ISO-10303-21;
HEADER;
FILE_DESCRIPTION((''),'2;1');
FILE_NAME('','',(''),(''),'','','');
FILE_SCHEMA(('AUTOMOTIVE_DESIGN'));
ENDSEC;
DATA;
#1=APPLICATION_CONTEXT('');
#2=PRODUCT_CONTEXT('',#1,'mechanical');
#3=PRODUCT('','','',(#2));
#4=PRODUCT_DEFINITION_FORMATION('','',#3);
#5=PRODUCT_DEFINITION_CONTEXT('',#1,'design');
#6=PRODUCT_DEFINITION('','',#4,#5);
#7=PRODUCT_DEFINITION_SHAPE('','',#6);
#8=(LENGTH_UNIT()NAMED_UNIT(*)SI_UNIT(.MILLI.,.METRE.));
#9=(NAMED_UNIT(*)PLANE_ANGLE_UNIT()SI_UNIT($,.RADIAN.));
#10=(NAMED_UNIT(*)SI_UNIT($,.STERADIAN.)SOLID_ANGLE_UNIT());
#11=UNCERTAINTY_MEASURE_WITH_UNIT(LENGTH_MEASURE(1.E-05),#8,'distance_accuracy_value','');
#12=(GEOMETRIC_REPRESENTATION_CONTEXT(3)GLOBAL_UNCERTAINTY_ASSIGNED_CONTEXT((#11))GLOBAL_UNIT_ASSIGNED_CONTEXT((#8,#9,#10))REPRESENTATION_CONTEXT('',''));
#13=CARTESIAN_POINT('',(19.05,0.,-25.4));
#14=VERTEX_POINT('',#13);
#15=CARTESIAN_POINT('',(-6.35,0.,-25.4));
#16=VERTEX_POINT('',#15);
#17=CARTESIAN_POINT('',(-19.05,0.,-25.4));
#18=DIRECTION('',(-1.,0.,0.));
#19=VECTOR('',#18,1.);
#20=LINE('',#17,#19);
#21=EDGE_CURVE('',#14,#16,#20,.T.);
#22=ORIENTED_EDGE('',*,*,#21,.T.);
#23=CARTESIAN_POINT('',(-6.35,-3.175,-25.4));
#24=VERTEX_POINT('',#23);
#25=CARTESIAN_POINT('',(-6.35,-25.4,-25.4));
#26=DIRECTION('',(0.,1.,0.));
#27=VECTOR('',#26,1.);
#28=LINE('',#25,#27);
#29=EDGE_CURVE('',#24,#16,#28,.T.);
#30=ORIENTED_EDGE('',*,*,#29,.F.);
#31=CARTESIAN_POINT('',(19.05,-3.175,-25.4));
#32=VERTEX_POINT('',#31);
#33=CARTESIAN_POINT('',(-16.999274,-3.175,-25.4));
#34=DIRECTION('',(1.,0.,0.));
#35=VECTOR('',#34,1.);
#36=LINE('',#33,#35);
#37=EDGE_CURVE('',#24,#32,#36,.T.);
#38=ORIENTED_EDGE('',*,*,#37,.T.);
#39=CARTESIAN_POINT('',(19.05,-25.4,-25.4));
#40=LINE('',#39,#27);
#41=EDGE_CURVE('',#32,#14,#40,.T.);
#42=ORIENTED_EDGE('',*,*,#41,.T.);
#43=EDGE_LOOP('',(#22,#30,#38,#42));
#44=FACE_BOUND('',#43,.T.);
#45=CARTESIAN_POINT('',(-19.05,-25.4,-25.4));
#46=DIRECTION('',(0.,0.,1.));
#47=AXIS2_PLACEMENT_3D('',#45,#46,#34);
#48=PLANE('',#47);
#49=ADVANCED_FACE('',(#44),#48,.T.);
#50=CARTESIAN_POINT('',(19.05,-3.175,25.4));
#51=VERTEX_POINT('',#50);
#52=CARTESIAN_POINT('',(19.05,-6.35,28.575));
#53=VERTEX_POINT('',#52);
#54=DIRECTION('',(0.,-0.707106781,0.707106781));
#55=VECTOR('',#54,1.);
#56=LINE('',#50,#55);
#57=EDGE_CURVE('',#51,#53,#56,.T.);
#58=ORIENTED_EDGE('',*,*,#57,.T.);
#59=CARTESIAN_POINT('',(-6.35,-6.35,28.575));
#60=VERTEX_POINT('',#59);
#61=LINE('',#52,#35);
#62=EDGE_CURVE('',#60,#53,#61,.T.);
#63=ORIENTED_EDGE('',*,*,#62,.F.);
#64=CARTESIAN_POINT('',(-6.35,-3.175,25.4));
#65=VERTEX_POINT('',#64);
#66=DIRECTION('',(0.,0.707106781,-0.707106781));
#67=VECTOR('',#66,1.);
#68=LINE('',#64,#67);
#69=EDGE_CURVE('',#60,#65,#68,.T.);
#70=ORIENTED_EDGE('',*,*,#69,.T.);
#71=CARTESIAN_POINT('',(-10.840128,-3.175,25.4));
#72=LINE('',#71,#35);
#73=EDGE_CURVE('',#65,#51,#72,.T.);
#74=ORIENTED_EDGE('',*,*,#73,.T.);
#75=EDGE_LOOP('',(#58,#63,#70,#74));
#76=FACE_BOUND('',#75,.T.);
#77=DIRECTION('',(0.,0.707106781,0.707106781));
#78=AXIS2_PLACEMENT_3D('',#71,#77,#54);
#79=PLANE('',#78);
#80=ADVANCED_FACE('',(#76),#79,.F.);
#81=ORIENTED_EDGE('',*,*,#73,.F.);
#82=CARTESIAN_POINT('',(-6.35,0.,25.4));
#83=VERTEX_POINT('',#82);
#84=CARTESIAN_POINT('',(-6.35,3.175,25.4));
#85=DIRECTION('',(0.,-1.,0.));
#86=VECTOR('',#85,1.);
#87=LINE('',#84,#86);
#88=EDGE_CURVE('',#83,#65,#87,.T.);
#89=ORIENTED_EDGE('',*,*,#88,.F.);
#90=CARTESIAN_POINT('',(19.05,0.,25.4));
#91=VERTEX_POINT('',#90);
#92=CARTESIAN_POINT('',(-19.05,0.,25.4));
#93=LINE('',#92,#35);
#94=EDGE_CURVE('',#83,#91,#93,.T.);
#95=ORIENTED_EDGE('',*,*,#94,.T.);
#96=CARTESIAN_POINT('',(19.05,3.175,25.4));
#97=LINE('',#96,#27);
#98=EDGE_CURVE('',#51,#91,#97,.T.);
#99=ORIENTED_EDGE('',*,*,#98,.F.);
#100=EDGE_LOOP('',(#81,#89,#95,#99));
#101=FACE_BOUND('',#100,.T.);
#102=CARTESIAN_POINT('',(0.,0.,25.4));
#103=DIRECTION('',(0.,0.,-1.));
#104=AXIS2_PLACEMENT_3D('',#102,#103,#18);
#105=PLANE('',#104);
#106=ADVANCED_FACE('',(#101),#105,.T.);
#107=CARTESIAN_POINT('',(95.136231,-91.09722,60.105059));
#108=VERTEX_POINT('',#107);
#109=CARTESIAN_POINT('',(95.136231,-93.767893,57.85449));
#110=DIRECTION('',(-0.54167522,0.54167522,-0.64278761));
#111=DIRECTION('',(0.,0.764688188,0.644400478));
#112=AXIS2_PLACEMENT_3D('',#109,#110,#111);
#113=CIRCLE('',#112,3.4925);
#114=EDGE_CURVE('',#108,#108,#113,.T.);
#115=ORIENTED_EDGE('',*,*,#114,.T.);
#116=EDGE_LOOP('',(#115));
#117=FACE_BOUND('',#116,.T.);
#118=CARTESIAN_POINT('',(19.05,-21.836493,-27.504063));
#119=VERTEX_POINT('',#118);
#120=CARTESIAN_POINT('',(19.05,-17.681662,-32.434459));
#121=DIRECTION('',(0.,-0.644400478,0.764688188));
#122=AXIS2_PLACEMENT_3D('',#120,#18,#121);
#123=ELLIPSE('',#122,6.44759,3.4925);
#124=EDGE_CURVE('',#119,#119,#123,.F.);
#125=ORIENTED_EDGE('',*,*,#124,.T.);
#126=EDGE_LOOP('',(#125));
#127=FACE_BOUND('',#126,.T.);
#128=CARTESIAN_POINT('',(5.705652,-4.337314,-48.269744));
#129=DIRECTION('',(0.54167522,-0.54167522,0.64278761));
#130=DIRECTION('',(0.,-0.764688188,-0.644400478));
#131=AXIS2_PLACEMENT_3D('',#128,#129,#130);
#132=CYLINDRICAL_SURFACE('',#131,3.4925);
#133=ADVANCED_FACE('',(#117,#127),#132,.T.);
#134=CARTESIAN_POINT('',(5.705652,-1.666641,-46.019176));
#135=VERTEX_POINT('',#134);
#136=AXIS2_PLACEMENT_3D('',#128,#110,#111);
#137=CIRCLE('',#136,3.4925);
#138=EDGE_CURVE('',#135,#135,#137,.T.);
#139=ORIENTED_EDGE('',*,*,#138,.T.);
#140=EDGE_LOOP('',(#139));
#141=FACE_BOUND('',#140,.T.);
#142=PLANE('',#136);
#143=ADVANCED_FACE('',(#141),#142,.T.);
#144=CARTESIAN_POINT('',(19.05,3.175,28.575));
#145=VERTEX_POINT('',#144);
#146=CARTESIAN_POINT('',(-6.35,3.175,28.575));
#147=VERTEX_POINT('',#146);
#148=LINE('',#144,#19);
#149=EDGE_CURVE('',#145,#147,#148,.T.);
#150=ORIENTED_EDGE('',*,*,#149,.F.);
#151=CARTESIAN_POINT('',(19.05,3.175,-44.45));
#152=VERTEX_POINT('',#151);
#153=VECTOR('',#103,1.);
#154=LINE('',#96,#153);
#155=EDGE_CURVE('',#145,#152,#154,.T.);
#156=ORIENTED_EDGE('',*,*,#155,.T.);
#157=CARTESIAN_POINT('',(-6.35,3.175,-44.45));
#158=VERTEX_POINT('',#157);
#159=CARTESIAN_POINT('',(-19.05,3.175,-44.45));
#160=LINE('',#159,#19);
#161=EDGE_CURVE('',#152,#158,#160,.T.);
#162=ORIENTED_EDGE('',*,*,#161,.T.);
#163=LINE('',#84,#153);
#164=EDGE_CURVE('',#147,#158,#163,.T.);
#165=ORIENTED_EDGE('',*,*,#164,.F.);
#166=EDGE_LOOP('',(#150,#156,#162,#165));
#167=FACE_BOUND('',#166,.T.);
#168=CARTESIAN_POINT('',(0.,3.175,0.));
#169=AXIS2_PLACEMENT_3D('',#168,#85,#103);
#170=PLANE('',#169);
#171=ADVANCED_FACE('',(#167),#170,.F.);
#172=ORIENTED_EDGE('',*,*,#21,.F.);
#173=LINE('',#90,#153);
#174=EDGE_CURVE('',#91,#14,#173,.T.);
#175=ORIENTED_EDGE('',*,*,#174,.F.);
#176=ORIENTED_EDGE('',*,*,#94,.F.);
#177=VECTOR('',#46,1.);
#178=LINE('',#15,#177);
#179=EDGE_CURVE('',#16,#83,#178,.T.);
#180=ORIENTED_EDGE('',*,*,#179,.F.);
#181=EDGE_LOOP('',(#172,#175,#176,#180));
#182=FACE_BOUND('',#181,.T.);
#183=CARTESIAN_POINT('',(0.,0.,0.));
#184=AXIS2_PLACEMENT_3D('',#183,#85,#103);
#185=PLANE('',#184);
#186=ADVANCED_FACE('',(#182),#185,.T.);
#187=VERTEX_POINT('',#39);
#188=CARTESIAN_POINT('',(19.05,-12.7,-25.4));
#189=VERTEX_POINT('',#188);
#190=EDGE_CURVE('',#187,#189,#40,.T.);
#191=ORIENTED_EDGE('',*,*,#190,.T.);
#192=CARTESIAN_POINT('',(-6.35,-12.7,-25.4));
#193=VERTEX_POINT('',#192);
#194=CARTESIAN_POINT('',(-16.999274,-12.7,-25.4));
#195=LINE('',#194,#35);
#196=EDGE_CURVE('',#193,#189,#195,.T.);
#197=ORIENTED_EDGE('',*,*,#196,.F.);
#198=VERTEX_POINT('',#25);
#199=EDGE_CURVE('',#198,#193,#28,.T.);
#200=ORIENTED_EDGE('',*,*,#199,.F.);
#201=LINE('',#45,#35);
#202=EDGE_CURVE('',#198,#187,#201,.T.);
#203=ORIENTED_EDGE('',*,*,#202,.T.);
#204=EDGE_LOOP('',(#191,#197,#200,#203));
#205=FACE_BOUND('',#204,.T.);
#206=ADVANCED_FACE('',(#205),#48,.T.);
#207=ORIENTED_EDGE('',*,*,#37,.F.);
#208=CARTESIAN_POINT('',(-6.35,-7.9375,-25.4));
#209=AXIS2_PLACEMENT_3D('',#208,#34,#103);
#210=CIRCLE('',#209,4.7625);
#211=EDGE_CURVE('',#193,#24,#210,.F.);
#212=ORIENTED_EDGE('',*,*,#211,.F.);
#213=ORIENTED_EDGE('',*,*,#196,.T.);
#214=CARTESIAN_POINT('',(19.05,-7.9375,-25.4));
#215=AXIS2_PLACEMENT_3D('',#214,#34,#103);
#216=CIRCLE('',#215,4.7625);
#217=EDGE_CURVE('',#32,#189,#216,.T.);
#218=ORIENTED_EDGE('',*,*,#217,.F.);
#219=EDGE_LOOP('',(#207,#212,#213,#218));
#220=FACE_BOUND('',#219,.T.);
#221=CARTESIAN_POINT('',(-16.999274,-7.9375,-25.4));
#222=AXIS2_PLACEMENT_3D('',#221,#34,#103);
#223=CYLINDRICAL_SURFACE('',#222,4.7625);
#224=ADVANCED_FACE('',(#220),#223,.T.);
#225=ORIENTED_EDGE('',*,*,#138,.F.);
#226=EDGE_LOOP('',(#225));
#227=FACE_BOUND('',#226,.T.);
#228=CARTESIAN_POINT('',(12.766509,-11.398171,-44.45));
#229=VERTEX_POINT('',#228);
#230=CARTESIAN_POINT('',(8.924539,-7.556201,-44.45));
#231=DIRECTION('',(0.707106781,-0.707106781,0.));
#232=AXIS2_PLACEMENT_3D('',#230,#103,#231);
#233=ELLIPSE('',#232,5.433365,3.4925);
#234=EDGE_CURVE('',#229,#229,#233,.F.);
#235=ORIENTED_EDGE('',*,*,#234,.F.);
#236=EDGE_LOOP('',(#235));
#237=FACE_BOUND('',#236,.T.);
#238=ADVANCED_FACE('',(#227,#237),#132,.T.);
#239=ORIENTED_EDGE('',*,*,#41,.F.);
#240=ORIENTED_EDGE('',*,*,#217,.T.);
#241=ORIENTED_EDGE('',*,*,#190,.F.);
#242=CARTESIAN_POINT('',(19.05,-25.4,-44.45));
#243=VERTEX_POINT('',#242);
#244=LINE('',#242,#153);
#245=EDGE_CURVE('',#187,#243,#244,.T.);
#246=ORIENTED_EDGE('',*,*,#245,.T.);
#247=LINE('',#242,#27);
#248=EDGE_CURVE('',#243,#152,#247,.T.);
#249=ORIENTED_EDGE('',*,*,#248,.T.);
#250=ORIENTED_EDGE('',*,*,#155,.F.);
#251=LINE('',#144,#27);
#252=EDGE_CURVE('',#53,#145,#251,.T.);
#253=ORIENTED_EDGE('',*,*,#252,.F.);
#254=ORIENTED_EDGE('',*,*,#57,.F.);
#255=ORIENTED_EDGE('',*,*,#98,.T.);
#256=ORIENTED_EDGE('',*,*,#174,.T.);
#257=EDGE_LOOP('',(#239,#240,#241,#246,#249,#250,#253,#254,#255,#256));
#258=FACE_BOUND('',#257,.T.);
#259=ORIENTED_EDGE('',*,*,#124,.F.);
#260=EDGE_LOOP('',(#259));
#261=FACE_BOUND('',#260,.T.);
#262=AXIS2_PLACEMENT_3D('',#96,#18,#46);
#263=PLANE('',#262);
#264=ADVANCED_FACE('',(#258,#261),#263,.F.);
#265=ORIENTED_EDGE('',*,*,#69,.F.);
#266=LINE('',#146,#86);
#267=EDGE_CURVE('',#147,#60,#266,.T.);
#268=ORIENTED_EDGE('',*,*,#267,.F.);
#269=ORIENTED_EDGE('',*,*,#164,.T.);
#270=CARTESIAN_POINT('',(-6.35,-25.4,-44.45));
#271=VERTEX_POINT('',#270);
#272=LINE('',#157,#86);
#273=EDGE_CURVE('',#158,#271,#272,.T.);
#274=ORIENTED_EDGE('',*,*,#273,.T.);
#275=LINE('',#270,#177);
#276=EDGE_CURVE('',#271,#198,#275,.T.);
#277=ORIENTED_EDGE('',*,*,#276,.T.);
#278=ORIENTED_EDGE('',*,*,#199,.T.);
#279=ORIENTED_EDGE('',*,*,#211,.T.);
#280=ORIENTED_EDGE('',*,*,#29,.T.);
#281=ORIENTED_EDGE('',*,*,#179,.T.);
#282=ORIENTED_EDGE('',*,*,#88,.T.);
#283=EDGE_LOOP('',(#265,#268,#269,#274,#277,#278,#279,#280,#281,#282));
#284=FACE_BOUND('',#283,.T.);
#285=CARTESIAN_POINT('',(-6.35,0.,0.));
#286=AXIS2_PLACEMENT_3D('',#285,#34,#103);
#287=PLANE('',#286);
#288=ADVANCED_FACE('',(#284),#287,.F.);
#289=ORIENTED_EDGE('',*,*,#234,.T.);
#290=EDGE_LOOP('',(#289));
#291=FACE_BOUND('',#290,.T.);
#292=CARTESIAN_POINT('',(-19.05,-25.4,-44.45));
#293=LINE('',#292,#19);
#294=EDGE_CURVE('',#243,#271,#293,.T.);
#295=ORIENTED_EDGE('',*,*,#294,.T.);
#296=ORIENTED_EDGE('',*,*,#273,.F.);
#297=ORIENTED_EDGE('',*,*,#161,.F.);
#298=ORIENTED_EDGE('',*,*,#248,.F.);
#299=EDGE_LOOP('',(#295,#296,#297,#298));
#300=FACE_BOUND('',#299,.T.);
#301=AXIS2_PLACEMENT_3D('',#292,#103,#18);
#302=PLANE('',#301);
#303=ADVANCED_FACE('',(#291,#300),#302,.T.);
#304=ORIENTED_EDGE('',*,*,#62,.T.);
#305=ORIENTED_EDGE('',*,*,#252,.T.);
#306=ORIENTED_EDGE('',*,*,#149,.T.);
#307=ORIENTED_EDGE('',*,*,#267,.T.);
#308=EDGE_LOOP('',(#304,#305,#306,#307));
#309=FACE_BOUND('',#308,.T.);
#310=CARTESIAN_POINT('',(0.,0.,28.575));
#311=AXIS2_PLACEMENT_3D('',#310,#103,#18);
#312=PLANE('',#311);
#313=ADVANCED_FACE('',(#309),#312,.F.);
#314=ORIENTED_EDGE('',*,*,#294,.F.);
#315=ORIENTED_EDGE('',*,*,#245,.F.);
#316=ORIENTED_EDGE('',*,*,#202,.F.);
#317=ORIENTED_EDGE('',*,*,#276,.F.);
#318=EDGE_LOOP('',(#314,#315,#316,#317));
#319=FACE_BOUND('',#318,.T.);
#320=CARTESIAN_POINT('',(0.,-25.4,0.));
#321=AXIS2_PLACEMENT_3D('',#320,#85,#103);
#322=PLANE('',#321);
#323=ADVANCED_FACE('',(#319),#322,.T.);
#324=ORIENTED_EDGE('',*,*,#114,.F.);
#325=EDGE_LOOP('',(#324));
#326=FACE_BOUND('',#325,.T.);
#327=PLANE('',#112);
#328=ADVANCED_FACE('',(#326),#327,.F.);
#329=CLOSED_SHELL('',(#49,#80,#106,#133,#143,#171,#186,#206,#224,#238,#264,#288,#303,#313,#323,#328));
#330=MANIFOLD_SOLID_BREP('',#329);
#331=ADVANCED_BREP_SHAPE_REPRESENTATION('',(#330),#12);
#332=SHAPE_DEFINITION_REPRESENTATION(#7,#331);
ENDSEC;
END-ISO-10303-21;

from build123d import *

# Parameters (mm, degrees)
SKETCH1_W                  = 38.1
SKETCH1_H                  = 50.8
BOSS_EXTRUDE1_DEPTH        = 3.175
SKETCH2_W                  = 38.1
SKETCH2_H                  = 19.05
BOSS_EXTRUDE2_DEPTH        = 28.575
SKETCH4_2_R                = 3.4925
IMAGINARYTUBING_DEPTH      = 12.7
IMAGINARYTUBING_DEPTH_BACK = 152.4
CUT_EXTRUDE1_DEPTH         = 12.7
SKETCH7_W                  = 25.4
SKETCH7_H                  = 9.525
BOSS_EXTRUDE4_DEPTH        = 3.175
BOSS_EXTRUDE5_DEPTH        = 25.4
CUT_EXTRUDE2_DEPTH         = 25.4


with BuildPart() as part:
    # Sketch1 → Boss-Extrude1 (new body)
    with BuildSketch(Plane(origin=(0, 0, 0), x_dir=(1, 0, 0), z_dir=(0, 1, 0))):
        Rectangle(SKETCH1_W, SKETCH1_H)
    extrude(amount=BOSS_EXTRUDE1_DEPTH)

    # Sketch2 → Boss-Extrude2 (add)
    with BuildSketch(Plane(origin=(0, 3.175, 0), x_dir=(1, 0, 0), z_dir=(0, 1, 0))):
        with Locations((0, 34.925)):
            Rectangle(SKETCH2_W, SKETCH2_H)
    extrude(amount=-BOSS_EXTRUDE2_DEPTH)

    # Sketch4<2> → ImaginaryTubing (add, two sides)
    with BuildSketch(Plane(origin=(-6.98065937, 6.98065937, -8.283711681), x_dir=(0.707106781, 0.707106781, 0), z_dir=(-0.54167522, 0.54167522, -0.64278761))) as imaginarytubing_sk:
        with Locations((0.967560903, 41.541493051)):
            Circle(SKETCH4_2_R)
    extrude(amount=IMAGINARYTUBING_DEPTH)
    extrude(imaginarytubing_sk.sketch, amount=-IMAGINARYTUBING_DEPTH_BACK)

    # Sketch6 → Cut-Extrude1 (cut)
    with BuildSketch(Plane.ZY.offset(19.05)):
        Polygon((-25.4, 0), (25.4, 0), (25.4, 3.175), (-44.45, 3.175), (-44.45, -25.4), (-25.4, -25.4), align=None)
    extrude(amount=-CUT_EXTRUDE1_DEPTH, mode=Mode.SUBTRACT)

    # Sketch7 → Boss-Extrude4 (add)
    with BuildSketch(Plane.XY.offset(25.4)):
        with Locations((6.35, -1.5875)):
            Rectangle(SKETCH7_W, SKETCH7_H)
    extrude(amount=BOSS_EXTRUDE4_DEPTH)

    # Sketch8 → Boss-Extrude5 (add)
    with BuildSketch(Plane(origin=(19.05, 0, 0), x_dir=(0, 0, -1), z_dir=(1, 0, 0))):
        with BuildLine():
            Line((25.4, -12.7), (25.4, -3.175))
            ThreePointArc((25.4, -3.175), (20.6375, -7.9375), (25.4, -12.7))
        make_face()
    extrude(amount=-BOSS_EXTRUDE5_DEPTH)

    # Sketch11 → Cut-Extrude2 (cut)
    with BuildSketch(Plane(origin=(19.05, 0, 0), x_dir=(0, 0, -1), z_dir=(1, 0, 0))):
        Polygon((-25.4, -3.175), (-28.575, -6.35), (-25.4, -6.35), align=None)
    extrude(amount=-CUT_EXTRUDE2_DEPTH, mode=Mode.SUBTRACT)


solid = part.part
